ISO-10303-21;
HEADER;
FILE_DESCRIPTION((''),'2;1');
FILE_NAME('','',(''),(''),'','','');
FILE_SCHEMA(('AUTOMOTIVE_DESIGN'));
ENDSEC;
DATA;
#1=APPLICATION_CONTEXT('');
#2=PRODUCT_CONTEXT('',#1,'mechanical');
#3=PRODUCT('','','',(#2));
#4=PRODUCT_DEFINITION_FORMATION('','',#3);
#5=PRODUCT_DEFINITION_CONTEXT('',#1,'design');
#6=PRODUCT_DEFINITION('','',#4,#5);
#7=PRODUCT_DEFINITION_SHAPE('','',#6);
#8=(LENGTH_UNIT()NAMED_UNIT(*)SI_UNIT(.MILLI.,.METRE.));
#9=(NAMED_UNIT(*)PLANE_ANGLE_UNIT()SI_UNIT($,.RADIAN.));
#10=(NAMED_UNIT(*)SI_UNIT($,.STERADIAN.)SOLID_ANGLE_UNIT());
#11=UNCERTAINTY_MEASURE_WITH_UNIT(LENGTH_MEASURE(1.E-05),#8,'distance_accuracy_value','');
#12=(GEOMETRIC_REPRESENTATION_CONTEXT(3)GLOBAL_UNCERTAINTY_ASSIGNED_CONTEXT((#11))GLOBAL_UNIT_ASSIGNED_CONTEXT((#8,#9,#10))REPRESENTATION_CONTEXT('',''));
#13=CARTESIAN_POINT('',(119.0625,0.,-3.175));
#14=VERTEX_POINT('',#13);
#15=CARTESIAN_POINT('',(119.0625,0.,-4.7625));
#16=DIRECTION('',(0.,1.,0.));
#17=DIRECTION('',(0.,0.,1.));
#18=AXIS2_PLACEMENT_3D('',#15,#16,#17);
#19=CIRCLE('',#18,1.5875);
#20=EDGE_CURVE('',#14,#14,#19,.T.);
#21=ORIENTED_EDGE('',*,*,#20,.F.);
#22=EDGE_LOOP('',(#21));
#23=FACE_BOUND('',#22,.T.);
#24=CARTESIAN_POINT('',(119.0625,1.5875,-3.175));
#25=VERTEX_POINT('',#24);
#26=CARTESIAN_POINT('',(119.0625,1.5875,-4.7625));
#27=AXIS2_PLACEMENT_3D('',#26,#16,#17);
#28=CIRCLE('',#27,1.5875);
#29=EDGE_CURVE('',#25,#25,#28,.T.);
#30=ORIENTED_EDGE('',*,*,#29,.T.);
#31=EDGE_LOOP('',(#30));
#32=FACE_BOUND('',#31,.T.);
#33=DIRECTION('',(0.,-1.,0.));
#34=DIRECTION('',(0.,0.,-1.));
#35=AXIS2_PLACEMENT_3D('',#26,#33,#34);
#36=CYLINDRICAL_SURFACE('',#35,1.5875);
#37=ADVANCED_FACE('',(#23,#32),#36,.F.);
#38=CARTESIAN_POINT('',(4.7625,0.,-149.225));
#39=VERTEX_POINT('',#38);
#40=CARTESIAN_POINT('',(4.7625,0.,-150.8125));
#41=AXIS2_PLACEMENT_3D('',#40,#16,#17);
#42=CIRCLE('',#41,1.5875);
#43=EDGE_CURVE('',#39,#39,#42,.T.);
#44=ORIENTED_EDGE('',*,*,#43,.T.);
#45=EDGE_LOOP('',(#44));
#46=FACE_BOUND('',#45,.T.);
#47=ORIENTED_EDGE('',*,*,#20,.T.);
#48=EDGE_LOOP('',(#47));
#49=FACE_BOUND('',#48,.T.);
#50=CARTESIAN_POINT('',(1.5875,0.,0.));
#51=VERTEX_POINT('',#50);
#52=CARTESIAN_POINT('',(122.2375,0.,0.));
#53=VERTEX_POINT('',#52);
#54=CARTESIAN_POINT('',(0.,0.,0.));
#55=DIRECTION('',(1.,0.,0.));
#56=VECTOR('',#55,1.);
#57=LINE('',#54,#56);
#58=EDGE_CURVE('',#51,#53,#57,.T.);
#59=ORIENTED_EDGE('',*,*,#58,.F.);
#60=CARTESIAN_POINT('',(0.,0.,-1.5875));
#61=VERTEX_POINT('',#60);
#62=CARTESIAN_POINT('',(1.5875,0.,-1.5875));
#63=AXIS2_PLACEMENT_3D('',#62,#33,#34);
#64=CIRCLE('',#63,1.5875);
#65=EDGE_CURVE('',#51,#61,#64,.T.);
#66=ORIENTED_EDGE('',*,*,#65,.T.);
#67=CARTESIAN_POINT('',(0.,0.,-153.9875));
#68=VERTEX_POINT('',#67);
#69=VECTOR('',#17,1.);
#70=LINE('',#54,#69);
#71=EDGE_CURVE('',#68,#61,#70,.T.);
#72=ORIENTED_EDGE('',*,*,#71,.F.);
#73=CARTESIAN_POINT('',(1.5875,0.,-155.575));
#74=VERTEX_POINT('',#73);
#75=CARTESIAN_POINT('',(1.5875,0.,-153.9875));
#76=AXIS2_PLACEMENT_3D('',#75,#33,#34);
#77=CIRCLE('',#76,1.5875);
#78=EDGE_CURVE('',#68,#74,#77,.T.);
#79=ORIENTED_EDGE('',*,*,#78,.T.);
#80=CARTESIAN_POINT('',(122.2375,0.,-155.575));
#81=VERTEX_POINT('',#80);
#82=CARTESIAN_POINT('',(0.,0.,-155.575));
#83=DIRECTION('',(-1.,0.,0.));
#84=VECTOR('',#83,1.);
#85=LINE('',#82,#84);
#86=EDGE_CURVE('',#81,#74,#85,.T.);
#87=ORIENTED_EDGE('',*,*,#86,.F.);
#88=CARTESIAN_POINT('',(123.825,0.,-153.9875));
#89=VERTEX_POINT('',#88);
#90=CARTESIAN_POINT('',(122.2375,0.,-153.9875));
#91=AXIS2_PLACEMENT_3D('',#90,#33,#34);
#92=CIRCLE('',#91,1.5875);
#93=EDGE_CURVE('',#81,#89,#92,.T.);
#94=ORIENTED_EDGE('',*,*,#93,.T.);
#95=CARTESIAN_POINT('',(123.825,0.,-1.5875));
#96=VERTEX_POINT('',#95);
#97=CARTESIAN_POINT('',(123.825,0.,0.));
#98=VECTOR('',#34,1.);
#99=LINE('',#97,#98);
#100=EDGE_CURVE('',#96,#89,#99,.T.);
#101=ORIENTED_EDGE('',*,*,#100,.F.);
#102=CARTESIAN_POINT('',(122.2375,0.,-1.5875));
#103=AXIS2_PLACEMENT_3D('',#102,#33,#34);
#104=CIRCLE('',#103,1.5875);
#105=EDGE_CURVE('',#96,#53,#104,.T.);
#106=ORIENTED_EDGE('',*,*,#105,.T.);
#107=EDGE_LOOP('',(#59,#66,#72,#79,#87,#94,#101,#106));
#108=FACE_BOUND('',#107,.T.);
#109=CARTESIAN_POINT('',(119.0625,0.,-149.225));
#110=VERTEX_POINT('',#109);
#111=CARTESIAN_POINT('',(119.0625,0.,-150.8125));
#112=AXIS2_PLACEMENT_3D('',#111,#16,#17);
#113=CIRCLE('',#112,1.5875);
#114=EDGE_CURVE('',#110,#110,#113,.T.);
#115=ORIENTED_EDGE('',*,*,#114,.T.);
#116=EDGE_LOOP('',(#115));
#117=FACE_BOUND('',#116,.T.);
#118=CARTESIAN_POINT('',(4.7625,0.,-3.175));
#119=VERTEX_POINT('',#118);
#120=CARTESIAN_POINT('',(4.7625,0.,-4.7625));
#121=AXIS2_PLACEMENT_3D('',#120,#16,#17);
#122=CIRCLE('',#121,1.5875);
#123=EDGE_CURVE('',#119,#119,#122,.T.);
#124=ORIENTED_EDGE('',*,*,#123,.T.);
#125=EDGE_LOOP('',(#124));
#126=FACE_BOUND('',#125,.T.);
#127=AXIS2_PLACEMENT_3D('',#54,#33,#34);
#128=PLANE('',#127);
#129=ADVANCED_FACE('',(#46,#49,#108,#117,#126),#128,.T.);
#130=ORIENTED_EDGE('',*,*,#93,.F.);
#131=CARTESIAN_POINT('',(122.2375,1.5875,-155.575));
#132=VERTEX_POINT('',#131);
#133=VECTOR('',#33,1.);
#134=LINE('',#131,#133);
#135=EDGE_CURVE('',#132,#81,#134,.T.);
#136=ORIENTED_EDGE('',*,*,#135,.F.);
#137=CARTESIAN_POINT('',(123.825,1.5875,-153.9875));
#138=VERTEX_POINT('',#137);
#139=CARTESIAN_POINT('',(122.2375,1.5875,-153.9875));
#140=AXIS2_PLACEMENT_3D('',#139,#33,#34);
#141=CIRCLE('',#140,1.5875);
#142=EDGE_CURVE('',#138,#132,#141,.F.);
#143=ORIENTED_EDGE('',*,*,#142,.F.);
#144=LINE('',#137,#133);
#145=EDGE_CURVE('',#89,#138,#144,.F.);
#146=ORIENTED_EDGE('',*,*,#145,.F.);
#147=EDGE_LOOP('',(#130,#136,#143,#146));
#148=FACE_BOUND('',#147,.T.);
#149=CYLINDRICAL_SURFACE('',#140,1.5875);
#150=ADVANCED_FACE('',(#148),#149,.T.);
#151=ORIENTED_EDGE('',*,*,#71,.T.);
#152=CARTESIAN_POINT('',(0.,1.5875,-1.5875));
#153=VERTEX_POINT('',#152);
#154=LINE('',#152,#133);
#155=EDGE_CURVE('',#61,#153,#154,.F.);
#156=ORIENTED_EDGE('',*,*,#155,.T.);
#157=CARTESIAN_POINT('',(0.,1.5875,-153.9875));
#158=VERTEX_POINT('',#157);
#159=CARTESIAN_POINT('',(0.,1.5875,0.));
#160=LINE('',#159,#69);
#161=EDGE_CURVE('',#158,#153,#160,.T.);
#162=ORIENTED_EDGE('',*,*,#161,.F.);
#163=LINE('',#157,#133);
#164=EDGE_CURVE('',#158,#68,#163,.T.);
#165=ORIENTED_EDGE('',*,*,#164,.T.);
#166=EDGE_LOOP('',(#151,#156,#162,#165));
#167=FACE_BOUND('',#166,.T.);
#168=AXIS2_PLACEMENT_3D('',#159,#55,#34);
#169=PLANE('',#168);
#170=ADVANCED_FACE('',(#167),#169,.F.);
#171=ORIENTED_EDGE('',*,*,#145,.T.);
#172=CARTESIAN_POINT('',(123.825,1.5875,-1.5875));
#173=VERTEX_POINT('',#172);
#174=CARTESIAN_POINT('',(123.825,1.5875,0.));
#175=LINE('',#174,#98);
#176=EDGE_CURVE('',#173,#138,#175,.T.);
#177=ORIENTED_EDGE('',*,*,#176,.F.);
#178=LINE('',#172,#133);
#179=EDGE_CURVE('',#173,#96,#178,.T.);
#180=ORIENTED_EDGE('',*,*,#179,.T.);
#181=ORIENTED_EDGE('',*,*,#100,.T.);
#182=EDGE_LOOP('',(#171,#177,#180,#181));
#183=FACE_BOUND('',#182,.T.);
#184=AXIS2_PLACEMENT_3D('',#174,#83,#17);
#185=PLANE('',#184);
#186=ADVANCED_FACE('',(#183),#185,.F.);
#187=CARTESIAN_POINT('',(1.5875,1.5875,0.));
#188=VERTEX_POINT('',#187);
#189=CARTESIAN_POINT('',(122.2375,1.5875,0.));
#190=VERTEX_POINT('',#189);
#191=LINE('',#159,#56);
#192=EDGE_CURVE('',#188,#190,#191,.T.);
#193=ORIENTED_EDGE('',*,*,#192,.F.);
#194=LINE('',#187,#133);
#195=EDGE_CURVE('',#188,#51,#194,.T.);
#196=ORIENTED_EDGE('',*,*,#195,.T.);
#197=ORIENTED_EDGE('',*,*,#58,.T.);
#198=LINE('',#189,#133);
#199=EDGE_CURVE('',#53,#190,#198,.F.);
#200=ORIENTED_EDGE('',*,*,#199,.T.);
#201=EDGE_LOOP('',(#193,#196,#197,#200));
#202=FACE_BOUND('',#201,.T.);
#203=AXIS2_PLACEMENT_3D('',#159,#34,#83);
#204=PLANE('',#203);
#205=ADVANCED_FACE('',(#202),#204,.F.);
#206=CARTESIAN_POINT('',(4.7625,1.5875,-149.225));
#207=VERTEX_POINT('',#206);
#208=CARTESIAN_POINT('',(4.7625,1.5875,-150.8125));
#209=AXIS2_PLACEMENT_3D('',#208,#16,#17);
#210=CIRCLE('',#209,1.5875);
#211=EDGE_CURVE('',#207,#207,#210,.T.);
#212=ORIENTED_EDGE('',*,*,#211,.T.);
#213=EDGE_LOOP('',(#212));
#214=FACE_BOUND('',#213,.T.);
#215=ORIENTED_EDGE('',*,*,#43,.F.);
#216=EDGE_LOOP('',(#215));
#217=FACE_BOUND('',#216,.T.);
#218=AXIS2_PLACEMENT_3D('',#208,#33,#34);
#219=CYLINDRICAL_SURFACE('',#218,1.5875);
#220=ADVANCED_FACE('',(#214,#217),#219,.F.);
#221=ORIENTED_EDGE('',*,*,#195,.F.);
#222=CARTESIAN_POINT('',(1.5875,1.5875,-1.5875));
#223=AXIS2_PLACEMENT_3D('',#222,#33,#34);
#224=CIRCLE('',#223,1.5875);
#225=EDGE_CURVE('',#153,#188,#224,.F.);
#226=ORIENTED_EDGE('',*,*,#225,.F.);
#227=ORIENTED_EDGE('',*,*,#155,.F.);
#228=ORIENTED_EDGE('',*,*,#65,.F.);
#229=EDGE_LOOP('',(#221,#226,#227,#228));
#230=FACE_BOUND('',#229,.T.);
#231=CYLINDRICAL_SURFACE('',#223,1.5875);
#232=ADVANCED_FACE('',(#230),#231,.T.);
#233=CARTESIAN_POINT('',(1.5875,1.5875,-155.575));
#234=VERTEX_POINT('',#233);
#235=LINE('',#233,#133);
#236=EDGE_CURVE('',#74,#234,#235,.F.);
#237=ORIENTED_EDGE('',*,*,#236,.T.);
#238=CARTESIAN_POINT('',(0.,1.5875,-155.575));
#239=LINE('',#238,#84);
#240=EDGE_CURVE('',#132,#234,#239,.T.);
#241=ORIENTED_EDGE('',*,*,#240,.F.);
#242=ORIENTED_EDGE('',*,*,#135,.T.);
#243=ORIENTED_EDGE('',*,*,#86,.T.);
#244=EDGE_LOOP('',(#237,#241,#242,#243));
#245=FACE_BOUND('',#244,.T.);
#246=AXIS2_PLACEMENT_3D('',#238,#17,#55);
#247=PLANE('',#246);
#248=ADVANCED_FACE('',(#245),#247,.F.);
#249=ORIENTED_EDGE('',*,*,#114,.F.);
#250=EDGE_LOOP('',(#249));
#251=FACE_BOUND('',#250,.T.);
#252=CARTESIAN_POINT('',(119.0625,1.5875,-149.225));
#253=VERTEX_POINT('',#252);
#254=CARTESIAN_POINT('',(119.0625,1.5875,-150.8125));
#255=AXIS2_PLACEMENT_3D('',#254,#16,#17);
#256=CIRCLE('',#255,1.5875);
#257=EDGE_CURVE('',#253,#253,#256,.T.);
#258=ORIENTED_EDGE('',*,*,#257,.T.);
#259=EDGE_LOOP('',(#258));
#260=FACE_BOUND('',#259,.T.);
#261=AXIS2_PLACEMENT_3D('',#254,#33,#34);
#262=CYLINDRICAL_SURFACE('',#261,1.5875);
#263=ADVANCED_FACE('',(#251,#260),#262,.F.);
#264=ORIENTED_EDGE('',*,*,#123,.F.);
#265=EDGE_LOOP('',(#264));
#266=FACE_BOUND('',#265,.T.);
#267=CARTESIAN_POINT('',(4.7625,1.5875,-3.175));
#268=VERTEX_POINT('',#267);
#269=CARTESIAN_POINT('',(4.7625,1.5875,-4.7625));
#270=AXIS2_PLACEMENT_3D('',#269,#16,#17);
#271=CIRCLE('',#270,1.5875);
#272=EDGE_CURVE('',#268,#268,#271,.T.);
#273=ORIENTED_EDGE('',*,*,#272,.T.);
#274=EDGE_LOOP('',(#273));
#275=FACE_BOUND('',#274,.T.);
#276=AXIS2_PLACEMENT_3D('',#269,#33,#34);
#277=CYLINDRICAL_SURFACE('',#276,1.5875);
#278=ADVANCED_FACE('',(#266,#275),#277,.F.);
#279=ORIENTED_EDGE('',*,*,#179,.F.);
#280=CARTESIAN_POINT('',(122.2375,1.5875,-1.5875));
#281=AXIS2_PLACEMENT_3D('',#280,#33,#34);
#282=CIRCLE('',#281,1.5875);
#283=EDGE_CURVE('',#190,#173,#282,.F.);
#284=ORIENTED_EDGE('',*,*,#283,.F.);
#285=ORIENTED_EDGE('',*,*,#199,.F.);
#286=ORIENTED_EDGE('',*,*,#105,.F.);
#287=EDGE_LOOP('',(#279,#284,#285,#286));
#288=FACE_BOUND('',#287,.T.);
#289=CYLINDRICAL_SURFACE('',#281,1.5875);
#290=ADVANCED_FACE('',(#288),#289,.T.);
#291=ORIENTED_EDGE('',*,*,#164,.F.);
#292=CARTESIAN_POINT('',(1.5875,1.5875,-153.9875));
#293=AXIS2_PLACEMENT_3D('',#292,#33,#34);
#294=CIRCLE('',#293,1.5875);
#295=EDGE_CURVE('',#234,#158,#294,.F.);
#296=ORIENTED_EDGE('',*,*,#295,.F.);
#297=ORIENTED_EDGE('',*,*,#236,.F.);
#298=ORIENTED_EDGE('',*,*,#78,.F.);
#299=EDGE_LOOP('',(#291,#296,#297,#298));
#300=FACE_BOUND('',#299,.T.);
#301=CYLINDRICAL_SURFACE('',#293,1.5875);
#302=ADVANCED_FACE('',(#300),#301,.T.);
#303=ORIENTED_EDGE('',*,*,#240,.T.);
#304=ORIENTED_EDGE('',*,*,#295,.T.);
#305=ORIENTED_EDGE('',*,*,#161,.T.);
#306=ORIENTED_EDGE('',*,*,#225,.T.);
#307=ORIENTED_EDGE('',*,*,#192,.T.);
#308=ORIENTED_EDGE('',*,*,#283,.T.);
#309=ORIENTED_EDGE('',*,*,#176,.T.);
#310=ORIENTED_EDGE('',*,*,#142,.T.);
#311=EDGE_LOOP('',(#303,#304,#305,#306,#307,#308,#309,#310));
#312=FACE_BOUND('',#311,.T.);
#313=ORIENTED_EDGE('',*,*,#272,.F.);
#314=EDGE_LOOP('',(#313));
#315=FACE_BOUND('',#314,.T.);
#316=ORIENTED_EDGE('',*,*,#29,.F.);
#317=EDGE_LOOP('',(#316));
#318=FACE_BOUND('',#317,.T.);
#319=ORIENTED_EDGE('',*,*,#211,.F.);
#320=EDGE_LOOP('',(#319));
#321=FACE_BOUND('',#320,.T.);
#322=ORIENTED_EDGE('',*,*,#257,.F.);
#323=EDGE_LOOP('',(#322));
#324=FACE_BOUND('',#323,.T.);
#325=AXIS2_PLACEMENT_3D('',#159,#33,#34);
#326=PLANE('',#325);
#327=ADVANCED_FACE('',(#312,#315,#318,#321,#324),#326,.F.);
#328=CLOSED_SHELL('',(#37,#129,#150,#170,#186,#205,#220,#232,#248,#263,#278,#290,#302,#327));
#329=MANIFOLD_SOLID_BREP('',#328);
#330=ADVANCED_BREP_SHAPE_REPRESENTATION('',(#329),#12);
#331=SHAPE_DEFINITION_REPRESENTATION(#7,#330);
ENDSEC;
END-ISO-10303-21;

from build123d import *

# Parameters (mm, degrees)
SKETCH1_W           = 123.825
SKETCH1_H           = 155.575
SKETCH1_R           = 1.5875
BOSS_EXTRUDE1_DEPTH = 1.5875
FILLET1_R           = 1.5875


with BuildPart() as part:
    # Sketch1 → Boss-Extrude1 (new body)
    with BuildSketch(Plane(origin=(0, 0, 0), x_dir=(1, 0, 0), z_dir=(0, 1, 0))):
        with Locations((61.9125, 77.7875)):
            Rectangle(SKETCH1_W, SKETCH1_H)
        with Locations(Location((4.7625, 150.8125, 0), (0, 0, 270))):
            Circle(SKETCH1_R, mode=Mode.SUBTRACT)
        with Locations(Location((119.0625, 150.8125, 0), (0, 0, 270))):
            Circle(SKETCH1_R, mode=Mode.SUBTRACT)
        with Locations(Location((119.0625, 4.7625, 0), (0, 0, 270))):
            Circle(SKETCH1_R, mode=Mode.SUBTRACT)
        with Locations(Location((4.7625, 4.7625, 0), (0, 0, 270))):
            Circle(SKETCH1_R, mode=Mode.SUBTRACT)
    extrude(amount=BOSS_EXTRUDE1_DEPTH)

    # Fillet1
    fillet1_edges = [part.edges().sort_by_distance(p)[0] for p in [
        (0, 0.79375, -155.575),
        (123.825, 0.79375, -155.575),
        (123.825, 0.79375, 0),
        (0, 0.79375, 0),
    ]]
    fillet(fillet1_edges, radius=FILLET1_R)


solid = part.part
